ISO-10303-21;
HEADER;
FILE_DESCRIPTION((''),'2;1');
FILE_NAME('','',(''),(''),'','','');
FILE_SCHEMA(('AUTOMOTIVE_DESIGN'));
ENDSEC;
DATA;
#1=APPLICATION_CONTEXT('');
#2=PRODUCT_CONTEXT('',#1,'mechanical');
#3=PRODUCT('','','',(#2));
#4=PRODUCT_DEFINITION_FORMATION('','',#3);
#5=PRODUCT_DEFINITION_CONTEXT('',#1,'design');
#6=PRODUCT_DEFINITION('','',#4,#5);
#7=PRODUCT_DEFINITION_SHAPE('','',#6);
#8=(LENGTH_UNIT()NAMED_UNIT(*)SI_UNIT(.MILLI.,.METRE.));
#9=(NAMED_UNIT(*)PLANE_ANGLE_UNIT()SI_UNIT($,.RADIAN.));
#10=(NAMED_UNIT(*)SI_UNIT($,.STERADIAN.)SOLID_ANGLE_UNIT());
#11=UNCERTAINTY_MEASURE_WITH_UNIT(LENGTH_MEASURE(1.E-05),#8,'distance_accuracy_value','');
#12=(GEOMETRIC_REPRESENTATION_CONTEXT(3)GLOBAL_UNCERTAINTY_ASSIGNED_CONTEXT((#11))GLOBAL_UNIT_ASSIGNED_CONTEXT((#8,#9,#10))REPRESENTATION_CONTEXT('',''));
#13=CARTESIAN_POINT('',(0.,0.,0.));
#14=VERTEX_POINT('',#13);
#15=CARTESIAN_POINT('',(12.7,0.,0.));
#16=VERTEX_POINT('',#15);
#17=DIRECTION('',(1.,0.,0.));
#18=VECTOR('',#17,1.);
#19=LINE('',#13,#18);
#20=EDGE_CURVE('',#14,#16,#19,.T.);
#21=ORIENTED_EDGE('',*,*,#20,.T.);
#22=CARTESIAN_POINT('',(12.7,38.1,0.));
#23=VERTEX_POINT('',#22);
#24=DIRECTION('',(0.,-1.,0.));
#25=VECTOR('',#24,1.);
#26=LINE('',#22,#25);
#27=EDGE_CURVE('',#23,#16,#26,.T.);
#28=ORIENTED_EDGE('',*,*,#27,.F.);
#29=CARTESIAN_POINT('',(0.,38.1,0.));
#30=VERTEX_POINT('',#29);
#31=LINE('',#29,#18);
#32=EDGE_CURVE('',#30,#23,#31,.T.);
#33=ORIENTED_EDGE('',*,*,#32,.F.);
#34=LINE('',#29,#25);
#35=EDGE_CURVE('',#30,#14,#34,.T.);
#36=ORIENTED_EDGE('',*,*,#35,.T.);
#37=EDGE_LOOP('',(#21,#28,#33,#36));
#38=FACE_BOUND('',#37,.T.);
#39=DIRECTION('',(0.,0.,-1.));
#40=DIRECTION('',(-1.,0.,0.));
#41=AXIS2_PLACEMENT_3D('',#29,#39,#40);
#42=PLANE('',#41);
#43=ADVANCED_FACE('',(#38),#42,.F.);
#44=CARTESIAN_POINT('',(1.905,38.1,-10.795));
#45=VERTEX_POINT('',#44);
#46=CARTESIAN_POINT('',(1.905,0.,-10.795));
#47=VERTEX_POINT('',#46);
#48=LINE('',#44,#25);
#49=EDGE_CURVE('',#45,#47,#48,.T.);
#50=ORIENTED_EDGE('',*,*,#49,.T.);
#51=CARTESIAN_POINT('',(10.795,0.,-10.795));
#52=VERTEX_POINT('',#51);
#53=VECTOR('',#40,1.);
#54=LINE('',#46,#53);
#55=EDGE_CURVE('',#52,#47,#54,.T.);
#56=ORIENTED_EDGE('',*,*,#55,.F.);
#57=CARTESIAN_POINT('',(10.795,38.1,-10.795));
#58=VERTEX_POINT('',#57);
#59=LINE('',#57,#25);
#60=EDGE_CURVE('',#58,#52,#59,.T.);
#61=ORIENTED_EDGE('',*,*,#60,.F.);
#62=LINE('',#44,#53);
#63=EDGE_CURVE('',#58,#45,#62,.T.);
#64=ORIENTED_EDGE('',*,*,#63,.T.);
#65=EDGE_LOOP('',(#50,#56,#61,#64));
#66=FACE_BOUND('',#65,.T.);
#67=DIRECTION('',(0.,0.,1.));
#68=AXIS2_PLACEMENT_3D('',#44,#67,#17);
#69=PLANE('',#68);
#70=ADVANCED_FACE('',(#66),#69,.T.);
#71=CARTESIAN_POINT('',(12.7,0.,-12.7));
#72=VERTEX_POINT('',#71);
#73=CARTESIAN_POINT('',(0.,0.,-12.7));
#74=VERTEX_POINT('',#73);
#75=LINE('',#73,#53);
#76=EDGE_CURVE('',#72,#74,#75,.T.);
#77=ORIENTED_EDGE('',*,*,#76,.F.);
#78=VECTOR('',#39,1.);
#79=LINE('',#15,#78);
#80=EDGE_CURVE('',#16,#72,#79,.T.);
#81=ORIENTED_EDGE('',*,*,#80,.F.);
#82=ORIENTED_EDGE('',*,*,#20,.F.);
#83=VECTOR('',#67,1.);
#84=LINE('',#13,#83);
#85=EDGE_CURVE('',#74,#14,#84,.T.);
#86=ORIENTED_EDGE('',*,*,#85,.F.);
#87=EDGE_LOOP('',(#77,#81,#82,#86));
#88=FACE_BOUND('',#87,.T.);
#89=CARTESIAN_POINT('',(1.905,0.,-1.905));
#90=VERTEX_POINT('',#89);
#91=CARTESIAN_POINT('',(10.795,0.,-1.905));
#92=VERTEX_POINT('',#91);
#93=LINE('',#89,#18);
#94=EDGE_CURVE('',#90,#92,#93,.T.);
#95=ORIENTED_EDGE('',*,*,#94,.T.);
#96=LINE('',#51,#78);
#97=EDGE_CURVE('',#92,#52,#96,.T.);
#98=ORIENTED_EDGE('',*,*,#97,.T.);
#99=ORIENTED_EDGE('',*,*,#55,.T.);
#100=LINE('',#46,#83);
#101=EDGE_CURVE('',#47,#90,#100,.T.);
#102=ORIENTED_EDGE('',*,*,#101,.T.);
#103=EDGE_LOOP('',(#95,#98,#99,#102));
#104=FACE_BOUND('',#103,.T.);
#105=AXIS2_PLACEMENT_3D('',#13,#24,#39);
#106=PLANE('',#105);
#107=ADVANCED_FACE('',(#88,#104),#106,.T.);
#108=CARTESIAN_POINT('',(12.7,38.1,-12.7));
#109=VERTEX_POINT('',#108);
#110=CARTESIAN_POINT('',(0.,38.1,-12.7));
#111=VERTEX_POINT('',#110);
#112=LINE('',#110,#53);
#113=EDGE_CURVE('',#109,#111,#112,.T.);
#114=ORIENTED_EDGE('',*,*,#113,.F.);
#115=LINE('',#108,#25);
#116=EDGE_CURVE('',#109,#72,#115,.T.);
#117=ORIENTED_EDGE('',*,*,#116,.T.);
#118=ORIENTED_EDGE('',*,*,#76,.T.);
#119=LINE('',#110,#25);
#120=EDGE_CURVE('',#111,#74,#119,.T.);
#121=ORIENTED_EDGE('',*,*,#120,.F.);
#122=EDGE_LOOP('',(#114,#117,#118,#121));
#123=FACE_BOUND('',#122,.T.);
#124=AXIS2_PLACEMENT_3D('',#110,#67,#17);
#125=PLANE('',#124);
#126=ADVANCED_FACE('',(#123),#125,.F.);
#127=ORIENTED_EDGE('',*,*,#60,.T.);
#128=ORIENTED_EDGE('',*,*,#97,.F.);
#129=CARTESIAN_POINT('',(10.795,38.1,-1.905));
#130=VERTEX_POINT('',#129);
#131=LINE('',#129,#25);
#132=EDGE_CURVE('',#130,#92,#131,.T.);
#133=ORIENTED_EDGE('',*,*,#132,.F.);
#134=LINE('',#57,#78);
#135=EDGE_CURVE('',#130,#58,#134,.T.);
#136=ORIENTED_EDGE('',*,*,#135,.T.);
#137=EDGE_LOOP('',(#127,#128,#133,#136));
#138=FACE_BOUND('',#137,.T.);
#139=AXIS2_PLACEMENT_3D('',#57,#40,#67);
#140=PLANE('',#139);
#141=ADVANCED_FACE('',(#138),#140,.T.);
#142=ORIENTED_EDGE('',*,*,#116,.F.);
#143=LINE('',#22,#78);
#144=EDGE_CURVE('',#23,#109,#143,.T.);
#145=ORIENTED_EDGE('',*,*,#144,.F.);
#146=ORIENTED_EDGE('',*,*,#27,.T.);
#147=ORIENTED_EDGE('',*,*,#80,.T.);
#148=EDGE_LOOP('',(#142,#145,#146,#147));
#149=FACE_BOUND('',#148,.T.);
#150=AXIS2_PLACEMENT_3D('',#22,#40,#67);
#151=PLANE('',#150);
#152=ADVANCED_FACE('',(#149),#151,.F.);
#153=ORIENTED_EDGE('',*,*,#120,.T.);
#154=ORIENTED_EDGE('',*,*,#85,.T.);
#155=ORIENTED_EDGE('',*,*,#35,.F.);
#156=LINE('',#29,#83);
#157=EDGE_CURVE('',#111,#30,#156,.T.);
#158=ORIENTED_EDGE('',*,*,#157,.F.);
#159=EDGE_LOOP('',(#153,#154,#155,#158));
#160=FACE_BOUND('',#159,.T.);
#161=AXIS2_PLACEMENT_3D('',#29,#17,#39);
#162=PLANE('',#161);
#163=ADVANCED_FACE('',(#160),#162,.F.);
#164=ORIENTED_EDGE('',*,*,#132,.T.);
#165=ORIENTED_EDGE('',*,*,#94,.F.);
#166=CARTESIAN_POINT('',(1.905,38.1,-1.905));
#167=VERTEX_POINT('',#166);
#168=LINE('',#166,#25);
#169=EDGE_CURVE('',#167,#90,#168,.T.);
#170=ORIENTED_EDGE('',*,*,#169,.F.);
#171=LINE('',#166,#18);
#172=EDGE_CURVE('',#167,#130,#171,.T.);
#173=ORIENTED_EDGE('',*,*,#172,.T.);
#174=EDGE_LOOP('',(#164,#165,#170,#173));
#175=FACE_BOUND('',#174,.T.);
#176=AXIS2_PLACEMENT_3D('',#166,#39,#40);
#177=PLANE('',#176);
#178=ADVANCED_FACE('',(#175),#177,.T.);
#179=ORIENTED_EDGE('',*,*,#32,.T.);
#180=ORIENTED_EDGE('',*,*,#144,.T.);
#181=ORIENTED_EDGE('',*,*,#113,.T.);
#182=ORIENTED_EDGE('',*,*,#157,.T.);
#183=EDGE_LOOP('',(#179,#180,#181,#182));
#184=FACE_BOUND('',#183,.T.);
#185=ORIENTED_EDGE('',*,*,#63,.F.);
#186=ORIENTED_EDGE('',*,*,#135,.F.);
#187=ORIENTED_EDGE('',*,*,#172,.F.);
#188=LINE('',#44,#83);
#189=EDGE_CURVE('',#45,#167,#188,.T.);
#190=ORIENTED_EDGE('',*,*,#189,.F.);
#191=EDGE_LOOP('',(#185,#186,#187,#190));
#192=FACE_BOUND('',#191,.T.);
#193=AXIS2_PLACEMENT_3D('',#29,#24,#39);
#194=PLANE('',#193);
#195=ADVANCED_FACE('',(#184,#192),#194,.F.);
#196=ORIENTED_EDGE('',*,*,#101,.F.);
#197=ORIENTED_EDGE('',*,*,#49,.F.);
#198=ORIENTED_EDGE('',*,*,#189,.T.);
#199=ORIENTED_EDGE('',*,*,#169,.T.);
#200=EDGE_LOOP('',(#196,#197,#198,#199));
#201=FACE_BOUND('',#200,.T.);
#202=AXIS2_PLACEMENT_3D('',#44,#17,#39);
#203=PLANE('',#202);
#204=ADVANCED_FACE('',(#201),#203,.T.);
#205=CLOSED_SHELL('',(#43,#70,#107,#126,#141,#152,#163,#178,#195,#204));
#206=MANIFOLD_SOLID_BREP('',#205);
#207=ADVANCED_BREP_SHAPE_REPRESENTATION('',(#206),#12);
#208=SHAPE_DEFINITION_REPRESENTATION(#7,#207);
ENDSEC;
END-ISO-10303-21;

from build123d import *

# Parameters (mm, degrees)
SKETCH1_W           = 12.7
SKETCH1_H           = 12.7
SKETCH1_W_2         = 8.89
SKETCH1_H_2         = 8.89
BOSS_EXTRUDE1_DEPTH = 38.1


with BuildPart() as part:
    # Sketch1 → Boss-Extrude1 (new body)
    with BuildSketch(Plane(origin=(0, 0, 0), x_dir=(1, 0, 0), z_dir=(0, 1, 0))):
        with Locations((6.35, 6.35)):
            Rectangle(SKETCH1_W, SKETCH1_H)
        with Locations((6.35, 6.35)):
            Rectangle(SKETCH1_W_2, SKETCH1_H_2, mode=Mode.SUBTRACT)
    extrude(amount=BOSS_EXTRUDE1_DEPTH)


solid = part.part
